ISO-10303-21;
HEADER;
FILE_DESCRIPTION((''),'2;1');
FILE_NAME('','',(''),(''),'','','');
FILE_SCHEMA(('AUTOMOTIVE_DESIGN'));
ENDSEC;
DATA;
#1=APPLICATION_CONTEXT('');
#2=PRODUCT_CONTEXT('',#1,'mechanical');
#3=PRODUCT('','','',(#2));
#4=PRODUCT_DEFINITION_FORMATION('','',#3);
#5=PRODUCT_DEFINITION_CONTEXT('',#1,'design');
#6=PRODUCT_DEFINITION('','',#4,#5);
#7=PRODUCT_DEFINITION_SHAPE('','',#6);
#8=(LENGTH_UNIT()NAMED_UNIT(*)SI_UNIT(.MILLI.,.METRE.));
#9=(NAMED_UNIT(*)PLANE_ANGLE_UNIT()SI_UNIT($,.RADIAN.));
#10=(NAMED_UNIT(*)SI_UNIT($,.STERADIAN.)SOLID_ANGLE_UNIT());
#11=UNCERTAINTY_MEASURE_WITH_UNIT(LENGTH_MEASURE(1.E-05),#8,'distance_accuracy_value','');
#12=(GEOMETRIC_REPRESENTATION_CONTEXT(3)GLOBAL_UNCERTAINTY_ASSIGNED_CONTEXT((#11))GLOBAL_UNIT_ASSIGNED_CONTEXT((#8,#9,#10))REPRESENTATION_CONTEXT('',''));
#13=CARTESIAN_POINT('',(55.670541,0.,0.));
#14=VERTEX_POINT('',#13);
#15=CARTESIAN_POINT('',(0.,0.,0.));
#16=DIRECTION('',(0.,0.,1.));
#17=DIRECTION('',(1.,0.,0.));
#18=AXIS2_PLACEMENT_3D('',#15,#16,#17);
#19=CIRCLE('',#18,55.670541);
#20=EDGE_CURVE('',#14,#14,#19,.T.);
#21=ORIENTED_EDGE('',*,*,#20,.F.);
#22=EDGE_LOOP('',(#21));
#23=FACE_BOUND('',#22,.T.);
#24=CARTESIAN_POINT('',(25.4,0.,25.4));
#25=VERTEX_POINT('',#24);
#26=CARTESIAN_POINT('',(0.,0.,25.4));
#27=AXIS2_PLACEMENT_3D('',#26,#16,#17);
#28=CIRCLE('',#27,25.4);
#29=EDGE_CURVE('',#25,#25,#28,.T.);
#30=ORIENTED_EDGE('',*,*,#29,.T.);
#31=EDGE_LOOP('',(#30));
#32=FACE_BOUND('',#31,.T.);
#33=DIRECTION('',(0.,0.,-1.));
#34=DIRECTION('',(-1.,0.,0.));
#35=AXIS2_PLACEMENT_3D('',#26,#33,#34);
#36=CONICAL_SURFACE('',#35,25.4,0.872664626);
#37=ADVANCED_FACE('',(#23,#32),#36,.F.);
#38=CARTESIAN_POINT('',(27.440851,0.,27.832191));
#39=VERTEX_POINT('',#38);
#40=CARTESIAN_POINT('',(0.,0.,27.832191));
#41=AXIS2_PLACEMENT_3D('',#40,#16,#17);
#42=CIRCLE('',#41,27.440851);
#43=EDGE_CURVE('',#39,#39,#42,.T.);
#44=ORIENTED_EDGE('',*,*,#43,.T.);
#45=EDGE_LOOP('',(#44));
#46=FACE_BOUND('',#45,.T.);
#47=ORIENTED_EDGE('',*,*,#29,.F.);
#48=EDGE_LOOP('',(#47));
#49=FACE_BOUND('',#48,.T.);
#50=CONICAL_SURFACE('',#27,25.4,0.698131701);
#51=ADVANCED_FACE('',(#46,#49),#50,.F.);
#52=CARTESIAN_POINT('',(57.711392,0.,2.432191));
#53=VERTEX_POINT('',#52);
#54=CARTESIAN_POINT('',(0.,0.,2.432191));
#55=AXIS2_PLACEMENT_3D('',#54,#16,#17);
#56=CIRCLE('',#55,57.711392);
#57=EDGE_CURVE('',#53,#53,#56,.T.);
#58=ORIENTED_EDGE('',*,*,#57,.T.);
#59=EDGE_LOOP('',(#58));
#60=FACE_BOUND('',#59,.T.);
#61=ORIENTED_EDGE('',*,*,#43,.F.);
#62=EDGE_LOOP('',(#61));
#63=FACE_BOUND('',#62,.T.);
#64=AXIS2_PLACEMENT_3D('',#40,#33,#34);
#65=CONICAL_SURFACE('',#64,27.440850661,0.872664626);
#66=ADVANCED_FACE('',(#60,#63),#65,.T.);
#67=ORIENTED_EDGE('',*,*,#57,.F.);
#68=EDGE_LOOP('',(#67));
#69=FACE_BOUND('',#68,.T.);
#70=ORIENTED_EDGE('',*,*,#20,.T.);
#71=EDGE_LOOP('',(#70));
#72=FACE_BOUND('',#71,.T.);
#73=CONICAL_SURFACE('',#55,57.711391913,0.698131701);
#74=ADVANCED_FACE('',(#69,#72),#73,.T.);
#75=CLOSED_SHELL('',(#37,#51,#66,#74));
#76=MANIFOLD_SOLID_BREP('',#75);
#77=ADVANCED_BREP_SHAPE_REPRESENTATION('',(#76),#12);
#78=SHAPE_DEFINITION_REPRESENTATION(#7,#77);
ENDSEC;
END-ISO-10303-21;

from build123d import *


with BuildPart() as part:
    # Sketch1 → Revolve-Thin1 (revolve)
    with BuildSketch(Plane.YZ, mode=Mode.PRIVATE) as revolve_thin1_sk:
        Polygon((25.4, 25.4), (55.670541252, 0), (57.711391913, 2.432191107), (27.440850661, 27.832191107), align=None)
    revolve(revolve_thin1_sk.sketch.rotate(Axis((0, 0, 26.67), (0, 0, -1)), 90), axis=Axis((0, 0, 26.67), (0, 0, -1)))


solid = part.part
